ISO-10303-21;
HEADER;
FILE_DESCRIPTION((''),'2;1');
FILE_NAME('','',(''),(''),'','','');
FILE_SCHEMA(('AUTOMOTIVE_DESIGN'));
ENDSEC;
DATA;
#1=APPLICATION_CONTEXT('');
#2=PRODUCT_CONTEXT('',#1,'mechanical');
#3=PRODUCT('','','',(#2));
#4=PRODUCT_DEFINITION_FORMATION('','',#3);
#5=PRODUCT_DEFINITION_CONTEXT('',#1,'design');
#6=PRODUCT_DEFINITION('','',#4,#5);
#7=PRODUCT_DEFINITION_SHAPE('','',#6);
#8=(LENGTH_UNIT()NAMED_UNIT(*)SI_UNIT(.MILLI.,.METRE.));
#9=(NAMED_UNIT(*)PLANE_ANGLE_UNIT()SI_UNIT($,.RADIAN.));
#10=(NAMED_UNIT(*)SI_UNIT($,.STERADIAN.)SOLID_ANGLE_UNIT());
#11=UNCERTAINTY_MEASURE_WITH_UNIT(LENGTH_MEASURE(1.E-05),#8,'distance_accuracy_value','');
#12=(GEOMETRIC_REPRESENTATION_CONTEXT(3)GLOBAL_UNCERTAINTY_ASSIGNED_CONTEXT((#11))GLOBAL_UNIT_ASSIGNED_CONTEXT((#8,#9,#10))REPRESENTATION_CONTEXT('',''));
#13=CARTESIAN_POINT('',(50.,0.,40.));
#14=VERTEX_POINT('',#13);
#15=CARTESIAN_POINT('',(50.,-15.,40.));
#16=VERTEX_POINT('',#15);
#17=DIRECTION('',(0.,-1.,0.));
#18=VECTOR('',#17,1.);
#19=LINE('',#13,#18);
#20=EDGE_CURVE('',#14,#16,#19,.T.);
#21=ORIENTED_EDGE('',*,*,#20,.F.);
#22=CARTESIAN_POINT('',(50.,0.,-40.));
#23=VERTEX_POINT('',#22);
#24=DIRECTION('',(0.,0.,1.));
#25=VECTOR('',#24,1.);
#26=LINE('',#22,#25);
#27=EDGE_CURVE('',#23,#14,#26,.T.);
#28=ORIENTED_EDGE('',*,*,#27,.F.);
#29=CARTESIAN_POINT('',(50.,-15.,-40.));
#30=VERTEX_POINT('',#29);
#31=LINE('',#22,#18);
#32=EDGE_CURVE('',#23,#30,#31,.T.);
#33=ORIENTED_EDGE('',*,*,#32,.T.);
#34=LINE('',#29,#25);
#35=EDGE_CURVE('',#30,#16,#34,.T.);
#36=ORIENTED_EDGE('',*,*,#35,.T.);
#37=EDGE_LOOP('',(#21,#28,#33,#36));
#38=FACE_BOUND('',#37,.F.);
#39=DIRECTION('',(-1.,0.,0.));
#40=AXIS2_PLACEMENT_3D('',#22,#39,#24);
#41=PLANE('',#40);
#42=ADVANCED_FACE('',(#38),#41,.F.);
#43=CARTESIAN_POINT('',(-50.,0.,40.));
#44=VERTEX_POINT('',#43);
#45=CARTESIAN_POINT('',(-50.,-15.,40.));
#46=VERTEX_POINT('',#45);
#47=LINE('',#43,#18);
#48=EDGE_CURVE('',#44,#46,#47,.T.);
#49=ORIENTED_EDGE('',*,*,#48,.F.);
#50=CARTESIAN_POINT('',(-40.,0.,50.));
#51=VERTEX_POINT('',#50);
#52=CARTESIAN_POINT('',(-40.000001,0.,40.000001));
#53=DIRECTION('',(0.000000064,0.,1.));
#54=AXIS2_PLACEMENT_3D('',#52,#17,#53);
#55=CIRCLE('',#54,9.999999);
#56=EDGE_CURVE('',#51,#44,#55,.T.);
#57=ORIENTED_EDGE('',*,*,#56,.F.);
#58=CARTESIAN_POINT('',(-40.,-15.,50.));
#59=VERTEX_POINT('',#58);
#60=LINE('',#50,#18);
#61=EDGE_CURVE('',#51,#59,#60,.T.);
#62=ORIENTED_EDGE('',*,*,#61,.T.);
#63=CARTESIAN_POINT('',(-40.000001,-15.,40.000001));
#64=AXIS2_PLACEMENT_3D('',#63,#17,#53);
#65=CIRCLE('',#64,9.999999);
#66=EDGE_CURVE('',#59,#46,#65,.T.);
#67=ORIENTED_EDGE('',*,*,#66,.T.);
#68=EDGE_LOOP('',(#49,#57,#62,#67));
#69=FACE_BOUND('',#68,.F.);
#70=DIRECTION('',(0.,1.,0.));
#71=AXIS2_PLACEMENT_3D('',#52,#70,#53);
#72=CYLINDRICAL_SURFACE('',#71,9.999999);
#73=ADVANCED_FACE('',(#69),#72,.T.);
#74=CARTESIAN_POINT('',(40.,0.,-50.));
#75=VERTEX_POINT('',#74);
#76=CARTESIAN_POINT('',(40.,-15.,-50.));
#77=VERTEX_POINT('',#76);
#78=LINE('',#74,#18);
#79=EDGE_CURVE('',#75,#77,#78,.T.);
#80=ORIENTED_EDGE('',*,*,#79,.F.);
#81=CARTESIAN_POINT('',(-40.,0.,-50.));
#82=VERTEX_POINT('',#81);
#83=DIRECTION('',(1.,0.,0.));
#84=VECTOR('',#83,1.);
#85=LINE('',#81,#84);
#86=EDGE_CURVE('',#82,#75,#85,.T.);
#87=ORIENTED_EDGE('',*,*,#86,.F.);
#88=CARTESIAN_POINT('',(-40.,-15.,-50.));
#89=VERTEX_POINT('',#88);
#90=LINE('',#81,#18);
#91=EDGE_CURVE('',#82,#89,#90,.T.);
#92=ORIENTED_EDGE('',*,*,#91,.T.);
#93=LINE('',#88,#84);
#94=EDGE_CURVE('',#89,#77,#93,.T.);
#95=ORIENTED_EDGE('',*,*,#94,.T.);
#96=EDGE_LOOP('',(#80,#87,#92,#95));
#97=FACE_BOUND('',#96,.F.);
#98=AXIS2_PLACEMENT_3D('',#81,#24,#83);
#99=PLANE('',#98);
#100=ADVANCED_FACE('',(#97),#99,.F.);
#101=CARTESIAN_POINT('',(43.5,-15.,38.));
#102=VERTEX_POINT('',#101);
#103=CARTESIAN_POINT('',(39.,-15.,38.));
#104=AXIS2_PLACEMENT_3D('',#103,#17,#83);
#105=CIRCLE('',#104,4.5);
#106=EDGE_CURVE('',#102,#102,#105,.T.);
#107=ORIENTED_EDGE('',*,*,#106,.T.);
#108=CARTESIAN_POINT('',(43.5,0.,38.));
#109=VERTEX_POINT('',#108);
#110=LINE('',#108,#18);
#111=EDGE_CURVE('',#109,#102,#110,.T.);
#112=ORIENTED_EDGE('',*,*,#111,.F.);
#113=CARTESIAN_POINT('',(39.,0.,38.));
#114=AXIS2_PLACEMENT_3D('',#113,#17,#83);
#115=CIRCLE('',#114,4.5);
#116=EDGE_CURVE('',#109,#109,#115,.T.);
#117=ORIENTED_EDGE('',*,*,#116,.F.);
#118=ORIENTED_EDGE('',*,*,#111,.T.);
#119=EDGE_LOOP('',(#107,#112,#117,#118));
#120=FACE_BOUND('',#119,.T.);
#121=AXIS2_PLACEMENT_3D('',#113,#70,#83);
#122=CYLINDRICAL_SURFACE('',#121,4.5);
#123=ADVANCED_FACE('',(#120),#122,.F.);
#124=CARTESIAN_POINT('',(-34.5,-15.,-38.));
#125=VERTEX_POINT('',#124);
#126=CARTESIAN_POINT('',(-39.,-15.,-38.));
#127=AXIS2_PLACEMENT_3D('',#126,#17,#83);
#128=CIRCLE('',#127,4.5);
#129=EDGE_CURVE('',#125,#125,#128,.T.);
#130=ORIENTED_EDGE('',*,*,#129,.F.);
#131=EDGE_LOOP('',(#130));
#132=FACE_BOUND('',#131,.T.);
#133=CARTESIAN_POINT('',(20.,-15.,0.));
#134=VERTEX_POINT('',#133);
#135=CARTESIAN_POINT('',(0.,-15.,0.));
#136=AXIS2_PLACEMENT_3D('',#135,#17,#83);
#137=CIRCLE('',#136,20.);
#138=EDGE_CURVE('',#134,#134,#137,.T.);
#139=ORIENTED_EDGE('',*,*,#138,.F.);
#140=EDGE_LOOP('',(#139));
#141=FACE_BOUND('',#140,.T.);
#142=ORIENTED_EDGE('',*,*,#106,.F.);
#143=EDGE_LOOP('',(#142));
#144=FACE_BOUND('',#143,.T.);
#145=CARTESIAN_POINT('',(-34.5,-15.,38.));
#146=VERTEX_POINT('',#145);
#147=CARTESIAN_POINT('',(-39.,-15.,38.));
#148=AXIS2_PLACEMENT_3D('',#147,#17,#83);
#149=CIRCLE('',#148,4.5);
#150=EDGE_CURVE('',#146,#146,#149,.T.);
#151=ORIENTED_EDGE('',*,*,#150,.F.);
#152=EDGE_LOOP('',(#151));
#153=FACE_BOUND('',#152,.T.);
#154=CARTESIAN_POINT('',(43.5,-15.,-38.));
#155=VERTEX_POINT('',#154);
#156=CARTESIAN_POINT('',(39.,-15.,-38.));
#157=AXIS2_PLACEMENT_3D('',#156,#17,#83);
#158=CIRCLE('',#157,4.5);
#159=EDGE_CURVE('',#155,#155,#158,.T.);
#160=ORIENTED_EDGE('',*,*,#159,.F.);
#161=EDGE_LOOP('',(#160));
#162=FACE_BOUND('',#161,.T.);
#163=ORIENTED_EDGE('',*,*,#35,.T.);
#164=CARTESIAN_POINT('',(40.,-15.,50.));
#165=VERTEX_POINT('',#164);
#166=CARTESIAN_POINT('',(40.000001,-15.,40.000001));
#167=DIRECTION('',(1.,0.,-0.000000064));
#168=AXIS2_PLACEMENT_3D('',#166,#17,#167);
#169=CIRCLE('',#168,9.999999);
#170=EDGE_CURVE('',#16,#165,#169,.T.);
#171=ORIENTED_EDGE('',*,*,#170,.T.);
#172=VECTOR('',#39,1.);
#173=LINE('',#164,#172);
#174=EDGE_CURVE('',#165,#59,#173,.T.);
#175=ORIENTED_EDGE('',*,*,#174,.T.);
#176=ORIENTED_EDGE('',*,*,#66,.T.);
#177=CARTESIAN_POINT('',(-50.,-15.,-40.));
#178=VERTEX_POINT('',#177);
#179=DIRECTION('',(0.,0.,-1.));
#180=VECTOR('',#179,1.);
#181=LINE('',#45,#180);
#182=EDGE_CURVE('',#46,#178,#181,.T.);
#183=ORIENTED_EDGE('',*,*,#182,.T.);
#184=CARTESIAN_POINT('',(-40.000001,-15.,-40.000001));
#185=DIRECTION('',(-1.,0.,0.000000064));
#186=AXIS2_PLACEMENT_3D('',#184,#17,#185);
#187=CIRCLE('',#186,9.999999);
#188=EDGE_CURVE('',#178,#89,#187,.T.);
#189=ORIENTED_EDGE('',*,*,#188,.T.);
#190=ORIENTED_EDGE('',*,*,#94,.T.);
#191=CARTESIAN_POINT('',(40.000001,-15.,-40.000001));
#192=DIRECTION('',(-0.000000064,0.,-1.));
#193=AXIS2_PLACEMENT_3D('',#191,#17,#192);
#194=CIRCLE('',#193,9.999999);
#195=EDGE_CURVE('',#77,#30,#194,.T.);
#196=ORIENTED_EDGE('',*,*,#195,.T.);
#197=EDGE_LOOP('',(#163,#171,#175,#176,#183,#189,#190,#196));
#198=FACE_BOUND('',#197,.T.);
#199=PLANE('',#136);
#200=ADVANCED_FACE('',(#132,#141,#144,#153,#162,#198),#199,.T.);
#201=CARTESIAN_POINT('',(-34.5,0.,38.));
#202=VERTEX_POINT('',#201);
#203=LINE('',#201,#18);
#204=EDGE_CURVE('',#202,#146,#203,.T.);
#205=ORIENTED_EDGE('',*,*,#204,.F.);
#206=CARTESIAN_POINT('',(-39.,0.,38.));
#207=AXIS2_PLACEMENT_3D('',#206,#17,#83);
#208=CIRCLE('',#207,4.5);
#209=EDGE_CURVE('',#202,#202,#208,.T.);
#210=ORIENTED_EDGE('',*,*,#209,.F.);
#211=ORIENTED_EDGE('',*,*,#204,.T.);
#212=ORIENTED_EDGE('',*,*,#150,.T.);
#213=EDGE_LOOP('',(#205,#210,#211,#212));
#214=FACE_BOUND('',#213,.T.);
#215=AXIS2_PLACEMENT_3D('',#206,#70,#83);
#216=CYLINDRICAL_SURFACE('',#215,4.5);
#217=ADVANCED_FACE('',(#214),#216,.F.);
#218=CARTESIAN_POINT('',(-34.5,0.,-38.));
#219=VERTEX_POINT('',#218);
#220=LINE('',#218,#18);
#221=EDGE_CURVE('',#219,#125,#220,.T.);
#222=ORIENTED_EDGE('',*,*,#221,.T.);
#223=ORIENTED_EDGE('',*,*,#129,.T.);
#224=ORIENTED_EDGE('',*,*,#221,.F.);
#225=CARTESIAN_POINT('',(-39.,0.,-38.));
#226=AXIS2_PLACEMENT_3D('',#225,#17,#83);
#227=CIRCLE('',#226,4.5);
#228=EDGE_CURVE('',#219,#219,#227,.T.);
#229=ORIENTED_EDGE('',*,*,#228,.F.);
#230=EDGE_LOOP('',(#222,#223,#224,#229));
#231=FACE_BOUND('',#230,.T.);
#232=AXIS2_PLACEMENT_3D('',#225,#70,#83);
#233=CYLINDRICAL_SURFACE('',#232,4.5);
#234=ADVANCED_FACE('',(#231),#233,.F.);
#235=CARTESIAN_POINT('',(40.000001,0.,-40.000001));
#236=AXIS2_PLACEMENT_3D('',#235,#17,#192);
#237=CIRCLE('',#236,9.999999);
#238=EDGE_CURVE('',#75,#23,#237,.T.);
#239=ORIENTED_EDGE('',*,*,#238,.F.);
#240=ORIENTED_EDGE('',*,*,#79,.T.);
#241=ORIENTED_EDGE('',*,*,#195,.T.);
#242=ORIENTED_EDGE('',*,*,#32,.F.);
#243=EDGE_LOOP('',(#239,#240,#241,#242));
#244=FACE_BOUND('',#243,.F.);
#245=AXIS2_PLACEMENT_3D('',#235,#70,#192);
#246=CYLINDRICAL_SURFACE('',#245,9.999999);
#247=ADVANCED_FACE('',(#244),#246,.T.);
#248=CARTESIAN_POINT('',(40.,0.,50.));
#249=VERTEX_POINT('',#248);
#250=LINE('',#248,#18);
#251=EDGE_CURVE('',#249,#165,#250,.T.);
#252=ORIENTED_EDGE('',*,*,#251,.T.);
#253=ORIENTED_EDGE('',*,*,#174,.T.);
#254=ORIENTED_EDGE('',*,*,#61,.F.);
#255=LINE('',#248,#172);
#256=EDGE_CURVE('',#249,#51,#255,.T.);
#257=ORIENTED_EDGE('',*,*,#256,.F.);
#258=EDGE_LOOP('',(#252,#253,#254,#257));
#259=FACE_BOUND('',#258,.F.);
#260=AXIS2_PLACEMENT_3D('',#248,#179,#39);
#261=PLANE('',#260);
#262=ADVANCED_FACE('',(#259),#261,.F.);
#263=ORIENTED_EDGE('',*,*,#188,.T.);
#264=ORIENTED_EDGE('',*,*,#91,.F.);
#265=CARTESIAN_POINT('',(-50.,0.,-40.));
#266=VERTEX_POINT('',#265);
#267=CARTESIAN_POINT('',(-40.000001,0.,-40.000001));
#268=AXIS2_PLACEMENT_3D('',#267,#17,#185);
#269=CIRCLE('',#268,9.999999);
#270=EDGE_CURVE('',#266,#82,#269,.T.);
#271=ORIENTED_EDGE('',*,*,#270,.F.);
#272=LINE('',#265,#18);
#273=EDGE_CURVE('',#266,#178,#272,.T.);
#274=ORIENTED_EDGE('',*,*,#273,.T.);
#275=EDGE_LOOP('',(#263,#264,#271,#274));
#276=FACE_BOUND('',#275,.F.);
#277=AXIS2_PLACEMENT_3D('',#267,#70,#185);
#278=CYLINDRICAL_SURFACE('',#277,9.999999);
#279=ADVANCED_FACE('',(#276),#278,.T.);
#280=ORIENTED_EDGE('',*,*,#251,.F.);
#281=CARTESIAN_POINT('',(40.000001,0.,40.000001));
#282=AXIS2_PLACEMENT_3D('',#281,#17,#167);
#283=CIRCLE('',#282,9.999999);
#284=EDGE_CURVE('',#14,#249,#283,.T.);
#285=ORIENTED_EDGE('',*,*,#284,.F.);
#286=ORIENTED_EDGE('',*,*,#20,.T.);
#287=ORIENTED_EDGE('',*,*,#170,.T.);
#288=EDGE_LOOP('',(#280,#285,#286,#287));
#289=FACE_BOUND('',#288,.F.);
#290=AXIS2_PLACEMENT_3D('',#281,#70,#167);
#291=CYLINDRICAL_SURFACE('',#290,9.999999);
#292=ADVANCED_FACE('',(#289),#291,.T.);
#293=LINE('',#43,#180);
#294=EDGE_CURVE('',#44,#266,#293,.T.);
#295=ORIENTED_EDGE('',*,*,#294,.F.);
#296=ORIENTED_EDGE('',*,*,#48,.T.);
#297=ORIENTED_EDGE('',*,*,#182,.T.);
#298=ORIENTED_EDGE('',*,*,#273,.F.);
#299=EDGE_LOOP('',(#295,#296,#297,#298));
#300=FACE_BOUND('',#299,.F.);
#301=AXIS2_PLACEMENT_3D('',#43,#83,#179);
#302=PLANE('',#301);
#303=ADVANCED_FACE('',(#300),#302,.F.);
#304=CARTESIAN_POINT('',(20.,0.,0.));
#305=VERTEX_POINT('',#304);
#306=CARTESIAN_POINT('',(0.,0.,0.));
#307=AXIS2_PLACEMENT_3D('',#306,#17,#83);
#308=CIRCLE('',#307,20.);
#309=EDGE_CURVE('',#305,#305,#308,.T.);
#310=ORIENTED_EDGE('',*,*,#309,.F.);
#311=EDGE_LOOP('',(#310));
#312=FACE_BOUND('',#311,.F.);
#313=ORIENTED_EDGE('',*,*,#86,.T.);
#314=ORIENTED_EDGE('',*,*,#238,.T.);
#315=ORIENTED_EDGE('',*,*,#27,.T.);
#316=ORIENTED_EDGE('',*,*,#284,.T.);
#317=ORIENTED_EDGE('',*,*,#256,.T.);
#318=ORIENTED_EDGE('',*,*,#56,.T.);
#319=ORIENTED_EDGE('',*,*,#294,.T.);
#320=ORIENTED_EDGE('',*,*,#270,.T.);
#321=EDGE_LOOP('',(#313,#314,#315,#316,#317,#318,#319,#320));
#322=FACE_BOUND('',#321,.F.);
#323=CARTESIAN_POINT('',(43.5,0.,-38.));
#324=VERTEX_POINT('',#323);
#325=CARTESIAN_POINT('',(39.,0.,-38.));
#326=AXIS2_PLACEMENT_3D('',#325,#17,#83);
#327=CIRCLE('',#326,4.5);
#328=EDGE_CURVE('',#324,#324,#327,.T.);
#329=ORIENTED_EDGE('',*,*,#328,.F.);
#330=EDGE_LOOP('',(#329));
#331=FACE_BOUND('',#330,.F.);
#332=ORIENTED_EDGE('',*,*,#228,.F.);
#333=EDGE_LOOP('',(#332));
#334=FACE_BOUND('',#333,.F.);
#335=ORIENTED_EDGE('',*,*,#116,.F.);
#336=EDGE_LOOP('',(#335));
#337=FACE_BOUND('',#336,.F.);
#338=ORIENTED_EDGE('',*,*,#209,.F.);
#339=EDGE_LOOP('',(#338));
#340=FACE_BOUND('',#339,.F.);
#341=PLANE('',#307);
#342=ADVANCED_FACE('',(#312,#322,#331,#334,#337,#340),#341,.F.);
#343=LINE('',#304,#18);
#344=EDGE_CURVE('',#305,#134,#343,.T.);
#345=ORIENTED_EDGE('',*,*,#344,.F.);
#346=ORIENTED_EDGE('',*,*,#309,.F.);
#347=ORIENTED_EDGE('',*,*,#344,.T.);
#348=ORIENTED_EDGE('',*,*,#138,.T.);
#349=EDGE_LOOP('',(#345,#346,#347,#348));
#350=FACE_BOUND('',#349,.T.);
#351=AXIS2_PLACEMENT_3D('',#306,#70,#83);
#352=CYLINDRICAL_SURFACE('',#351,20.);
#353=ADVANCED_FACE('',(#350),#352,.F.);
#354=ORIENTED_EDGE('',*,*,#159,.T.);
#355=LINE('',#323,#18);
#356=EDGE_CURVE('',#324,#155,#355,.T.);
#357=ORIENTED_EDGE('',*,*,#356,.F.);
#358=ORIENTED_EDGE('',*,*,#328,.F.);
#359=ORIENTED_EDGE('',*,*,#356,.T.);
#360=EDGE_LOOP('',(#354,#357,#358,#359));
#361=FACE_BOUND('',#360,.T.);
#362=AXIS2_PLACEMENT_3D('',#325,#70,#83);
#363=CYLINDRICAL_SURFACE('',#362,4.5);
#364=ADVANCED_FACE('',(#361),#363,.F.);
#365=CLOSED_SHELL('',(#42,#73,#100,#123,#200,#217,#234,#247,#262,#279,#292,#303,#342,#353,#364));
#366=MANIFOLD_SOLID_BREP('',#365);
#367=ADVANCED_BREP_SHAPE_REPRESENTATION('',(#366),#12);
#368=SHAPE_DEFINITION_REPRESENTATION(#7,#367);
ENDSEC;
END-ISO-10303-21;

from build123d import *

# Parameters (mm, degrees)
F0_R     = 4.5
F0_R_2   = 20
F1_DEPTH = 15


with BuildPart() as f1:
    # F0 (on Front) → F1 (new body)
    with BuildSketch(Plane.XZ):
        with BuildLine():
            Line((40, 50), (-40, 50))
            ThreePointArc((-40, 50), (-47.071068, 47.071068), (-50, 40))
            Line((-50, 40), (-50, -40))
            ThreePointArc((-50, -40), (-47.071068, -47.071068), (-40, -50))
            Line((-40, -50), (40, -50))
            ThreePointArc((40, -50), (47.071068, -47.071068), (50, -40))
            Line((50, -40), (50, 40))
            ThreePointArc((50, 40), (47.071068, 47.071068), (40, 50))
        make_face()
        with Locations((-39, -38)):
            Circle(F0_R, mode=Mode.SUBTRACT)
        with Locations((39, -38)):
            Circle(F0_R, mode=Mode.SUBTRACT)
        with Locations((-39, 38)):
            Circle(F0_R, mode=Mode.SUBTRACT)
        Circle(F0_R_2, mode=Mode.SUBTRACT)
        with Locations((39, 38)):
            Circle(F0_R, mode=Mode.SUBTRACT)
    extrude(amount=F1_DEPTH)


solid = f1.part
